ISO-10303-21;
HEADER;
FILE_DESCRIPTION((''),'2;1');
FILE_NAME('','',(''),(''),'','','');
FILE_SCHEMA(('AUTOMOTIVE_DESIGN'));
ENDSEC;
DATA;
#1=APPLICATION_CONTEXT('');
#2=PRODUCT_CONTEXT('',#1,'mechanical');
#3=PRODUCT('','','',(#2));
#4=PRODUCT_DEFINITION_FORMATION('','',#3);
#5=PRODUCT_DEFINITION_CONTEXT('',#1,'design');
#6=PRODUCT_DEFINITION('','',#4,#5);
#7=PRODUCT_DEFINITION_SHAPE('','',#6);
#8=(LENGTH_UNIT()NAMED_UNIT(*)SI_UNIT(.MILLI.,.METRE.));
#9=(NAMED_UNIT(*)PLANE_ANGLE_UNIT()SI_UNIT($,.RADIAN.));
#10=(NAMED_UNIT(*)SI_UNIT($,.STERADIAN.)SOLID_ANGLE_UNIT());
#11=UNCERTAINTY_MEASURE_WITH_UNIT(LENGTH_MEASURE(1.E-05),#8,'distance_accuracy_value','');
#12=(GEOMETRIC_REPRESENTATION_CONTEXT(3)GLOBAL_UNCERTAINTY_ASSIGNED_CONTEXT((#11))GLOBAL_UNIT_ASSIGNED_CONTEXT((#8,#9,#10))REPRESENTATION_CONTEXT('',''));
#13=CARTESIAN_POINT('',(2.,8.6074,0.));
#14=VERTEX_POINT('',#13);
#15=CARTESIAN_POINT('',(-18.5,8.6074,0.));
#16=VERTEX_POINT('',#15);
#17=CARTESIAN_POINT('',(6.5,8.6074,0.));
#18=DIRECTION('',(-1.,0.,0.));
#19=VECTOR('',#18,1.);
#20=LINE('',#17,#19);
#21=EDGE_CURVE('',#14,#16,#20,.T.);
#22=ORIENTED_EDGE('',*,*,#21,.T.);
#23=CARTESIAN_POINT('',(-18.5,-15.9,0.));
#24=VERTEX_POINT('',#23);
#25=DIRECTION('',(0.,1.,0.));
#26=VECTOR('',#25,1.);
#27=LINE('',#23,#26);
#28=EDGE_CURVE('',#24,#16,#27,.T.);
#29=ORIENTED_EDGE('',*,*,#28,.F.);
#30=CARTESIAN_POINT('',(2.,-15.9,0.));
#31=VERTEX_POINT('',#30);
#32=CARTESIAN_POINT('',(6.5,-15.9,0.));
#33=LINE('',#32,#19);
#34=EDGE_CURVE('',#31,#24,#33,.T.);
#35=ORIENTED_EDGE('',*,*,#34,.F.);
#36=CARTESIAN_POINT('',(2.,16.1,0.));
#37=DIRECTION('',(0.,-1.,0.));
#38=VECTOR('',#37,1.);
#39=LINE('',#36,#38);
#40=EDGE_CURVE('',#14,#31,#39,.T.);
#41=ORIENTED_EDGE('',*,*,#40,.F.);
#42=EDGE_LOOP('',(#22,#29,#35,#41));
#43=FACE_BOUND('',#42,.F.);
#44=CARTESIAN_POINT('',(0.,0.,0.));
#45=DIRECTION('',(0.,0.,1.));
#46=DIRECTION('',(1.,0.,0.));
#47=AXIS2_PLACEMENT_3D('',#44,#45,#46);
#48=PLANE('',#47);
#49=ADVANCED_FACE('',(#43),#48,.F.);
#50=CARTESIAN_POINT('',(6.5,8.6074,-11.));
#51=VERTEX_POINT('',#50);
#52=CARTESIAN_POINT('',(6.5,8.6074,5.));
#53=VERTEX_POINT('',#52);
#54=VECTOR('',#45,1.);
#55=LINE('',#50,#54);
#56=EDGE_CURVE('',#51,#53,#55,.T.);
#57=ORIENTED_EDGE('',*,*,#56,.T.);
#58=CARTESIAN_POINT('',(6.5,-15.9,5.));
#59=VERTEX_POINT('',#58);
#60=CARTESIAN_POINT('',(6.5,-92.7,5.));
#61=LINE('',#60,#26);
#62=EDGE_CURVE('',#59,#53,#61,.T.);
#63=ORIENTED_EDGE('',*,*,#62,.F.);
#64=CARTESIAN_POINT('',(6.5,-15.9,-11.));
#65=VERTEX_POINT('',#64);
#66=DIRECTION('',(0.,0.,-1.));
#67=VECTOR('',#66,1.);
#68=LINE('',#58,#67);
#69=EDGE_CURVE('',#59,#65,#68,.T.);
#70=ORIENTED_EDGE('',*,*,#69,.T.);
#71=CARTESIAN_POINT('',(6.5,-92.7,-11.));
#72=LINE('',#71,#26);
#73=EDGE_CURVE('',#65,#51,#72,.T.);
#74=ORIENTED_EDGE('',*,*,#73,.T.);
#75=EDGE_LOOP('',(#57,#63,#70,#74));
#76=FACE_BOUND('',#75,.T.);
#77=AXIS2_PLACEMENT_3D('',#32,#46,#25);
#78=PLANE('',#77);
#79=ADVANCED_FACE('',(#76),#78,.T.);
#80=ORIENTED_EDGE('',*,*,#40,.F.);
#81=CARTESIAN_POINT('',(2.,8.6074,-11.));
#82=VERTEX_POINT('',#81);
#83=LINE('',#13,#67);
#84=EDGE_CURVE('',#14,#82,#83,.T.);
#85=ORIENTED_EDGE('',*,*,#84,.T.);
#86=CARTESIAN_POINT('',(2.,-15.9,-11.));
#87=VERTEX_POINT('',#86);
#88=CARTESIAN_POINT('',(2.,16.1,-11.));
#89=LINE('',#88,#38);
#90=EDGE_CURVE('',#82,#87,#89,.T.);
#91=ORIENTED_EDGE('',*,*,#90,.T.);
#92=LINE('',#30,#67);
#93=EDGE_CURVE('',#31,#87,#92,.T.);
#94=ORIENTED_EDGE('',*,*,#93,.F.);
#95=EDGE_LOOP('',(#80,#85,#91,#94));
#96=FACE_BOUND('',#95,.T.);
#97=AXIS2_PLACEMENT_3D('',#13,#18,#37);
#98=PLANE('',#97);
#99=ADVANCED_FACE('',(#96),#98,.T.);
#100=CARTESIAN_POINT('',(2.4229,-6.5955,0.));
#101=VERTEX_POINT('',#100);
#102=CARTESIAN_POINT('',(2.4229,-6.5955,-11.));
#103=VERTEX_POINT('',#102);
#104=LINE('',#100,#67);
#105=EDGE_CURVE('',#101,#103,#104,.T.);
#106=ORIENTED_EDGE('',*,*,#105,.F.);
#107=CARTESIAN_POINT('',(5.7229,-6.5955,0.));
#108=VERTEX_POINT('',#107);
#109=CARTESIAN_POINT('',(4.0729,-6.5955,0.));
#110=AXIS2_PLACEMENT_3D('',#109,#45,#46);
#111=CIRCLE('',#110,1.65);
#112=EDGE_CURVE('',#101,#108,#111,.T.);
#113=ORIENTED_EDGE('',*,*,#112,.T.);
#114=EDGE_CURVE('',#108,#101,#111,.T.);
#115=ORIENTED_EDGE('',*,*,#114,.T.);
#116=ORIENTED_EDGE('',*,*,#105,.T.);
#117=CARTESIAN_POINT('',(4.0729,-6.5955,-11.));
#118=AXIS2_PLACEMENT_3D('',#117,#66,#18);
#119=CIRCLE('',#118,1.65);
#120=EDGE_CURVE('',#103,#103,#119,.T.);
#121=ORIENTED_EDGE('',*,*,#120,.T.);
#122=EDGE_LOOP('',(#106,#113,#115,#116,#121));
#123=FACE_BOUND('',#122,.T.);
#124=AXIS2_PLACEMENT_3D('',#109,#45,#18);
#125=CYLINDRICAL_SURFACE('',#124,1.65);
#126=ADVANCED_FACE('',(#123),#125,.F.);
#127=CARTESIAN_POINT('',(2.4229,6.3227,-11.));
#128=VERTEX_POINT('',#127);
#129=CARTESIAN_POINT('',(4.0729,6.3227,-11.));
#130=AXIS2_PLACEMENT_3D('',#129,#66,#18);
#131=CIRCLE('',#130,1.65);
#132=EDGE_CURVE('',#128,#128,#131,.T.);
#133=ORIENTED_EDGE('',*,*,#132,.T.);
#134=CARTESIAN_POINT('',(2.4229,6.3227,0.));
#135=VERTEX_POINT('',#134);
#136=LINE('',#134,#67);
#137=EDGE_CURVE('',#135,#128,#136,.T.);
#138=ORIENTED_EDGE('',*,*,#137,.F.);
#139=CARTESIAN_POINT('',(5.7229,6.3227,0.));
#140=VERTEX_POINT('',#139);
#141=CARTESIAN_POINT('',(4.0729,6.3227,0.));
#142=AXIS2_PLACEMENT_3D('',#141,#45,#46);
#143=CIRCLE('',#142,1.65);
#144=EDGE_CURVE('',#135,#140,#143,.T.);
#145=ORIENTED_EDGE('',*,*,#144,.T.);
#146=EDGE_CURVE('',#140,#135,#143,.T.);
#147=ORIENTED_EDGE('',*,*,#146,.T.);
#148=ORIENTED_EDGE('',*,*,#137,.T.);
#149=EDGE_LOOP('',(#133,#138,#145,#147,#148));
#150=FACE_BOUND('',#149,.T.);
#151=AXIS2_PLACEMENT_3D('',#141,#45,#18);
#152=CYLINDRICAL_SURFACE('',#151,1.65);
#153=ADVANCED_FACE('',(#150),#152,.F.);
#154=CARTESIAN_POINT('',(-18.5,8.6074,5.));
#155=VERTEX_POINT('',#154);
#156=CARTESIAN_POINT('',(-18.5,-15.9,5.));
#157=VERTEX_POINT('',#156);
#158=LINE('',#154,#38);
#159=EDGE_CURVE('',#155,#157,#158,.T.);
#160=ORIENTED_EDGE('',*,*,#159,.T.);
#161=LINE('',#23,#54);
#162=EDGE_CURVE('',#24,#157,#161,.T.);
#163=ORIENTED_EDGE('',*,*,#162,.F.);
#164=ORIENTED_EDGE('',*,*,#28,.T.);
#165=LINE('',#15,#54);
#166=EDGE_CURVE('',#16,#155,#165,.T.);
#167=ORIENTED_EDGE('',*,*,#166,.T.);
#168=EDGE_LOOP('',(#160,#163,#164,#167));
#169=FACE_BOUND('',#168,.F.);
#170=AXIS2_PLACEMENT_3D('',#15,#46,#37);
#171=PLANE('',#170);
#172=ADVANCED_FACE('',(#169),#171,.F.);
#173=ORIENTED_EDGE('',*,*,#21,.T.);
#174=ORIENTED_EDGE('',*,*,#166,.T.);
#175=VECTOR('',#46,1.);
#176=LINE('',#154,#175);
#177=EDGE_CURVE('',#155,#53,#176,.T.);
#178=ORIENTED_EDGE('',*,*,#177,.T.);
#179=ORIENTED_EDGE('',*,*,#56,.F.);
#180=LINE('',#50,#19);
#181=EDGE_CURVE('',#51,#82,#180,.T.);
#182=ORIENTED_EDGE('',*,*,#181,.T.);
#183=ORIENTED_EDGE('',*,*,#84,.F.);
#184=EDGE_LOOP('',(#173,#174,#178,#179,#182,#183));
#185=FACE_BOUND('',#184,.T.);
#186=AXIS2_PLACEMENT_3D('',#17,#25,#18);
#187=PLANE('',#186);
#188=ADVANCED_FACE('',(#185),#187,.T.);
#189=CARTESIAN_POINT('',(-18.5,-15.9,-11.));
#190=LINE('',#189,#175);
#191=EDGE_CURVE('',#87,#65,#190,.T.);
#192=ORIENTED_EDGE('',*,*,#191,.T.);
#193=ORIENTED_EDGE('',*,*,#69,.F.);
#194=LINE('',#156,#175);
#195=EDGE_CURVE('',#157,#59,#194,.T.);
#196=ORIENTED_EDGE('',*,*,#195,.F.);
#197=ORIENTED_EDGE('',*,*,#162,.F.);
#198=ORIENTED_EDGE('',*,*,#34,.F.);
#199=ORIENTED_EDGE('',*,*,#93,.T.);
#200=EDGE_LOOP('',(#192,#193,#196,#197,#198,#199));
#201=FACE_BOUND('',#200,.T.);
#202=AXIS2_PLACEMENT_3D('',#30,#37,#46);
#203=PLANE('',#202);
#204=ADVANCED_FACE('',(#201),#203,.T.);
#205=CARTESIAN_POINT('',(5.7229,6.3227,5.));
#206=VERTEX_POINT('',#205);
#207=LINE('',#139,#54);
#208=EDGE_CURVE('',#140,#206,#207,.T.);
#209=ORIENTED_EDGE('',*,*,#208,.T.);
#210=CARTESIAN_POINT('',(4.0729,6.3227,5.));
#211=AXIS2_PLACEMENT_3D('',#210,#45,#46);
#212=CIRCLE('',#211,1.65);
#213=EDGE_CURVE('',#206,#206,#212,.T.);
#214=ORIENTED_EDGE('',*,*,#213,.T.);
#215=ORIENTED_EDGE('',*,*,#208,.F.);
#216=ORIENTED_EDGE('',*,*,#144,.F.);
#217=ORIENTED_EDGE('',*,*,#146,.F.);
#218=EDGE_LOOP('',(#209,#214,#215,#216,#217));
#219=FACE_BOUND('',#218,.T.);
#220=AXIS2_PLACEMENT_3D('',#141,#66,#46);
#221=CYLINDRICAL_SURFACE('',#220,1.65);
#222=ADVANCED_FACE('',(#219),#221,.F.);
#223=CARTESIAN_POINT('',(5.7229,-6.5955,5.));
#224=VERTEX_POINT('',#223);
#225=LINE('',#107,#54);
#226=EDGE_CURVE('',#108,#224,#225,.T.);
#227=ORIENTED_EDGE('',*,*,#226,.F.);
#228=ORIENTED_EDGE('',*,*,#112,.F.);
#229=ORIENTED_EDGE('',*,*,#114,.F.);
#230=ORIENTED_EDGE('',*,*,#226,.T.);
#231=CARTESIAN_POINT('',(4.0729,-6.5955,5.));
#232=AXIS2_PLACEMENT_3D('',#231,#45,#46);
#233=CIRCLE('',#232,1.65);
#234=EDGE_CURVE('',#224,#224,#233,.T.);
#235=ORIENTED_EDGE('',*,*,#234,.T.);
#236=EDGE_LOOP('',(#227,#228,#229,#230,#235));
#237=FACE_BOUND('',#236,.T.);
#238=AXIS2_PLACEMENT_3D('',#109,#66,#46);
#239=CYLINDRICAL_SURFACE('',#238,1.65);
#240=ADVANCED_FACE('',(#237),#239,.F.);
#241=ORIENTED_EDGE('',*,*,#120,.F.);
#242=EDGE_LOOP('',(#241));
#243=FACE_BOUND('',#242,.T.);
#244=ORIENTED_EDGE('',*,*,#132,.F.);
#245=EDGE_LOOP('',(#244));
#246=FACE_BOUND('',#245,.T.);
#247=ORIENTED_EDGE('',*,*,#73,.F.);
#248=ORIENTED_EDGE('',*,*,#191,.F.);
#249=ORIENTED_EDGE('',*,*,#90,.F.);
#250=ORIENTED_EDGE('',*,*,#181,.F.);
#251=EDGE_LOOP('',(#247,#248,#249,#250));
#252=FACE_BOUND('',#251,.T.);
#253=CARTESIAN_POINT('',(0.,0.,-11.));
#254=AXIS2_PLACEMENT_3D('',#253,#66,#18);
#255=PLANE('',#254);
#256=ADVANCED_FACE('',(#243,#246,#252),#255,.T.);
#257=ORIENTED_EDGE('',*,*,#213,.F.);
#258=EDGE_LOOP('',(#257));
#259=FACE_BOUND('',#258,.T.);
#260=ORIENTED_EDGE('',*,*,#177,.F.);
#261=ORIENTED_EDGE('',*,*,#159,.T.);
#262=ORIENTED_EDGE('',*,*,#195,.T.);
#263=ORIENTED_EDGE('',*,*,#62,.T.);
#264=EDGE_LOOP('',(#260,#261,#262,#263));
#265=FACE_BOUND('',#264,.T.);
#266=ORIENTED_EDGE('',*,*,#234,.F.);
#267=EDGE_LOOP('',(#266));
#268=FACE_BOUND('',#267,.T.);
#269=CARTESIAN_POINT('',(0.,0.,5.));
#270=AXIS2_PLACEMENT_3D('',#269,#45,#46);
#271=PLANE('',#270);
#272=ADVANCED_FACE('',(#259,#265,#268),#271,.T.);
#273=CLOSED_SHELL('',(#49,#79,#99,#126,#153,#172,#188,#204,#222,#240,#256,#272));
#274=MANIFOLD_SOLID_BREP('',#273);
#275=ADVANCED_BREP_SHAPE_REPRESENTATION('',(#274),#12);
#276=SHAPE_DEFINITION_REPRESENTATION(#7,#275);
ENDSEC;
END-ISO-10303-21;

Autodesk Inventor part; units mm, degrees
ref_plane "YZ Plane" through (0, 0, 0) normal (1, 0, 0) x (0, 1, 0)
ref_plane "XZ Plane" through (0, 0, 0) normal (0, 1, 0) x (-1, 0, 0)
sketch "Sketch1" plane through (0, 0, 0) normal (0, 0, 1) x (1, 0, 0)
  line L0 (2, 10.1) -> (2, 16.1) projected
  line L1 (2, 10.1) -> (2, -23.7) projected
  line L2 (-18.5, 15.1) -> (-18.5, 8.9) projected
  line L3 (-18.5, 8.9) -> (-18.5, -8.9) projected
  line L4 (-18.5, -8.9) -> (-18.5, -15.9) projected
  circle A0 centre (4.0729, 6.3227) radius 1.4 projected
  circle A1 centre (4.0729, -6.5955) radius 1.4 projected
  line L5 (6.5, -92.7) -> (6.5, 10.1) projected
  line L6 (6.5, 8.6074) -> (-18.5, 8.6074)
  line L7 (-18.5, 8.6074) -> (-18.5, -15.9)
  line L8 (-18.5, -15.9) -> (6.5, -15.9)
  line L9 (6.5, -15.9) -> (6.5, 8.6074)
  circle A2 centre (4.0729, 6.3227) radius 1.65
  circle A3 centre (4.0729, -6.5955) radius 1.65
  line L10 (-17, 8.9) -> (0, 8.9) projected
  point P0 (0, 0)
  point P1 (6.5, -15.9)
  point P2 (6.5, 8.6074)
  point P3 (-18.5, 13.8571)
  point P4 (-18.5, 8.6074)
  dimension "d0" = 25
  dimension "d1" = 3.3
  dimension "d2" = 3.3
extrude "Extrusion1" add sketch "Sketch1" along normal blind 5 contours L6 L5 L8 L1 | L1 L8 L4 L3 L6
sketch "Sketch2" plane through (0, 0, 0) normal (0, 0, -1) x (-1, 0, 0)
  line L0 (-6.5, -92.7) -> (-6.5, 27.1) projected
  line L1 (-2, 16.1) -> (-2, -23.7) projected
  line L2 (-6.5, 8.6074) -> (18.5, 8.6074) projected
  line L3 (18.5, -15.9) -> (-6.5, -15.9) projected
  circle A0 centre (-4.0729, -6.5955) radius 1.65 projected
  circle A1 centre (-4.0729, 6.3227) radius 1.65 projected
  line L4 (-6.5, 16.1) -> (-2, 16.1)
  line L5 (-2, 16.1) -> (-2, -15.9)
  line L6 (-2, -15.9) -> (-6.5, -15.9)
  line L7 (-6.5, -15.9) -> (-6.5, 16.1)
  point P0 (0, 0)
  point P1 (18.5, 16.1)
  point P2 (-2, 8.6074)
ref_plane "Work Plane1" through (-79, -96.7, -11) normal (0, 0, 1) x (1, 0, 0)
extrude "Extrusion2" add sketch "Sketch2" along normal up to surface (11 mm away) contours L0 L2 L1 L3
properties part number "10_Motormount"
